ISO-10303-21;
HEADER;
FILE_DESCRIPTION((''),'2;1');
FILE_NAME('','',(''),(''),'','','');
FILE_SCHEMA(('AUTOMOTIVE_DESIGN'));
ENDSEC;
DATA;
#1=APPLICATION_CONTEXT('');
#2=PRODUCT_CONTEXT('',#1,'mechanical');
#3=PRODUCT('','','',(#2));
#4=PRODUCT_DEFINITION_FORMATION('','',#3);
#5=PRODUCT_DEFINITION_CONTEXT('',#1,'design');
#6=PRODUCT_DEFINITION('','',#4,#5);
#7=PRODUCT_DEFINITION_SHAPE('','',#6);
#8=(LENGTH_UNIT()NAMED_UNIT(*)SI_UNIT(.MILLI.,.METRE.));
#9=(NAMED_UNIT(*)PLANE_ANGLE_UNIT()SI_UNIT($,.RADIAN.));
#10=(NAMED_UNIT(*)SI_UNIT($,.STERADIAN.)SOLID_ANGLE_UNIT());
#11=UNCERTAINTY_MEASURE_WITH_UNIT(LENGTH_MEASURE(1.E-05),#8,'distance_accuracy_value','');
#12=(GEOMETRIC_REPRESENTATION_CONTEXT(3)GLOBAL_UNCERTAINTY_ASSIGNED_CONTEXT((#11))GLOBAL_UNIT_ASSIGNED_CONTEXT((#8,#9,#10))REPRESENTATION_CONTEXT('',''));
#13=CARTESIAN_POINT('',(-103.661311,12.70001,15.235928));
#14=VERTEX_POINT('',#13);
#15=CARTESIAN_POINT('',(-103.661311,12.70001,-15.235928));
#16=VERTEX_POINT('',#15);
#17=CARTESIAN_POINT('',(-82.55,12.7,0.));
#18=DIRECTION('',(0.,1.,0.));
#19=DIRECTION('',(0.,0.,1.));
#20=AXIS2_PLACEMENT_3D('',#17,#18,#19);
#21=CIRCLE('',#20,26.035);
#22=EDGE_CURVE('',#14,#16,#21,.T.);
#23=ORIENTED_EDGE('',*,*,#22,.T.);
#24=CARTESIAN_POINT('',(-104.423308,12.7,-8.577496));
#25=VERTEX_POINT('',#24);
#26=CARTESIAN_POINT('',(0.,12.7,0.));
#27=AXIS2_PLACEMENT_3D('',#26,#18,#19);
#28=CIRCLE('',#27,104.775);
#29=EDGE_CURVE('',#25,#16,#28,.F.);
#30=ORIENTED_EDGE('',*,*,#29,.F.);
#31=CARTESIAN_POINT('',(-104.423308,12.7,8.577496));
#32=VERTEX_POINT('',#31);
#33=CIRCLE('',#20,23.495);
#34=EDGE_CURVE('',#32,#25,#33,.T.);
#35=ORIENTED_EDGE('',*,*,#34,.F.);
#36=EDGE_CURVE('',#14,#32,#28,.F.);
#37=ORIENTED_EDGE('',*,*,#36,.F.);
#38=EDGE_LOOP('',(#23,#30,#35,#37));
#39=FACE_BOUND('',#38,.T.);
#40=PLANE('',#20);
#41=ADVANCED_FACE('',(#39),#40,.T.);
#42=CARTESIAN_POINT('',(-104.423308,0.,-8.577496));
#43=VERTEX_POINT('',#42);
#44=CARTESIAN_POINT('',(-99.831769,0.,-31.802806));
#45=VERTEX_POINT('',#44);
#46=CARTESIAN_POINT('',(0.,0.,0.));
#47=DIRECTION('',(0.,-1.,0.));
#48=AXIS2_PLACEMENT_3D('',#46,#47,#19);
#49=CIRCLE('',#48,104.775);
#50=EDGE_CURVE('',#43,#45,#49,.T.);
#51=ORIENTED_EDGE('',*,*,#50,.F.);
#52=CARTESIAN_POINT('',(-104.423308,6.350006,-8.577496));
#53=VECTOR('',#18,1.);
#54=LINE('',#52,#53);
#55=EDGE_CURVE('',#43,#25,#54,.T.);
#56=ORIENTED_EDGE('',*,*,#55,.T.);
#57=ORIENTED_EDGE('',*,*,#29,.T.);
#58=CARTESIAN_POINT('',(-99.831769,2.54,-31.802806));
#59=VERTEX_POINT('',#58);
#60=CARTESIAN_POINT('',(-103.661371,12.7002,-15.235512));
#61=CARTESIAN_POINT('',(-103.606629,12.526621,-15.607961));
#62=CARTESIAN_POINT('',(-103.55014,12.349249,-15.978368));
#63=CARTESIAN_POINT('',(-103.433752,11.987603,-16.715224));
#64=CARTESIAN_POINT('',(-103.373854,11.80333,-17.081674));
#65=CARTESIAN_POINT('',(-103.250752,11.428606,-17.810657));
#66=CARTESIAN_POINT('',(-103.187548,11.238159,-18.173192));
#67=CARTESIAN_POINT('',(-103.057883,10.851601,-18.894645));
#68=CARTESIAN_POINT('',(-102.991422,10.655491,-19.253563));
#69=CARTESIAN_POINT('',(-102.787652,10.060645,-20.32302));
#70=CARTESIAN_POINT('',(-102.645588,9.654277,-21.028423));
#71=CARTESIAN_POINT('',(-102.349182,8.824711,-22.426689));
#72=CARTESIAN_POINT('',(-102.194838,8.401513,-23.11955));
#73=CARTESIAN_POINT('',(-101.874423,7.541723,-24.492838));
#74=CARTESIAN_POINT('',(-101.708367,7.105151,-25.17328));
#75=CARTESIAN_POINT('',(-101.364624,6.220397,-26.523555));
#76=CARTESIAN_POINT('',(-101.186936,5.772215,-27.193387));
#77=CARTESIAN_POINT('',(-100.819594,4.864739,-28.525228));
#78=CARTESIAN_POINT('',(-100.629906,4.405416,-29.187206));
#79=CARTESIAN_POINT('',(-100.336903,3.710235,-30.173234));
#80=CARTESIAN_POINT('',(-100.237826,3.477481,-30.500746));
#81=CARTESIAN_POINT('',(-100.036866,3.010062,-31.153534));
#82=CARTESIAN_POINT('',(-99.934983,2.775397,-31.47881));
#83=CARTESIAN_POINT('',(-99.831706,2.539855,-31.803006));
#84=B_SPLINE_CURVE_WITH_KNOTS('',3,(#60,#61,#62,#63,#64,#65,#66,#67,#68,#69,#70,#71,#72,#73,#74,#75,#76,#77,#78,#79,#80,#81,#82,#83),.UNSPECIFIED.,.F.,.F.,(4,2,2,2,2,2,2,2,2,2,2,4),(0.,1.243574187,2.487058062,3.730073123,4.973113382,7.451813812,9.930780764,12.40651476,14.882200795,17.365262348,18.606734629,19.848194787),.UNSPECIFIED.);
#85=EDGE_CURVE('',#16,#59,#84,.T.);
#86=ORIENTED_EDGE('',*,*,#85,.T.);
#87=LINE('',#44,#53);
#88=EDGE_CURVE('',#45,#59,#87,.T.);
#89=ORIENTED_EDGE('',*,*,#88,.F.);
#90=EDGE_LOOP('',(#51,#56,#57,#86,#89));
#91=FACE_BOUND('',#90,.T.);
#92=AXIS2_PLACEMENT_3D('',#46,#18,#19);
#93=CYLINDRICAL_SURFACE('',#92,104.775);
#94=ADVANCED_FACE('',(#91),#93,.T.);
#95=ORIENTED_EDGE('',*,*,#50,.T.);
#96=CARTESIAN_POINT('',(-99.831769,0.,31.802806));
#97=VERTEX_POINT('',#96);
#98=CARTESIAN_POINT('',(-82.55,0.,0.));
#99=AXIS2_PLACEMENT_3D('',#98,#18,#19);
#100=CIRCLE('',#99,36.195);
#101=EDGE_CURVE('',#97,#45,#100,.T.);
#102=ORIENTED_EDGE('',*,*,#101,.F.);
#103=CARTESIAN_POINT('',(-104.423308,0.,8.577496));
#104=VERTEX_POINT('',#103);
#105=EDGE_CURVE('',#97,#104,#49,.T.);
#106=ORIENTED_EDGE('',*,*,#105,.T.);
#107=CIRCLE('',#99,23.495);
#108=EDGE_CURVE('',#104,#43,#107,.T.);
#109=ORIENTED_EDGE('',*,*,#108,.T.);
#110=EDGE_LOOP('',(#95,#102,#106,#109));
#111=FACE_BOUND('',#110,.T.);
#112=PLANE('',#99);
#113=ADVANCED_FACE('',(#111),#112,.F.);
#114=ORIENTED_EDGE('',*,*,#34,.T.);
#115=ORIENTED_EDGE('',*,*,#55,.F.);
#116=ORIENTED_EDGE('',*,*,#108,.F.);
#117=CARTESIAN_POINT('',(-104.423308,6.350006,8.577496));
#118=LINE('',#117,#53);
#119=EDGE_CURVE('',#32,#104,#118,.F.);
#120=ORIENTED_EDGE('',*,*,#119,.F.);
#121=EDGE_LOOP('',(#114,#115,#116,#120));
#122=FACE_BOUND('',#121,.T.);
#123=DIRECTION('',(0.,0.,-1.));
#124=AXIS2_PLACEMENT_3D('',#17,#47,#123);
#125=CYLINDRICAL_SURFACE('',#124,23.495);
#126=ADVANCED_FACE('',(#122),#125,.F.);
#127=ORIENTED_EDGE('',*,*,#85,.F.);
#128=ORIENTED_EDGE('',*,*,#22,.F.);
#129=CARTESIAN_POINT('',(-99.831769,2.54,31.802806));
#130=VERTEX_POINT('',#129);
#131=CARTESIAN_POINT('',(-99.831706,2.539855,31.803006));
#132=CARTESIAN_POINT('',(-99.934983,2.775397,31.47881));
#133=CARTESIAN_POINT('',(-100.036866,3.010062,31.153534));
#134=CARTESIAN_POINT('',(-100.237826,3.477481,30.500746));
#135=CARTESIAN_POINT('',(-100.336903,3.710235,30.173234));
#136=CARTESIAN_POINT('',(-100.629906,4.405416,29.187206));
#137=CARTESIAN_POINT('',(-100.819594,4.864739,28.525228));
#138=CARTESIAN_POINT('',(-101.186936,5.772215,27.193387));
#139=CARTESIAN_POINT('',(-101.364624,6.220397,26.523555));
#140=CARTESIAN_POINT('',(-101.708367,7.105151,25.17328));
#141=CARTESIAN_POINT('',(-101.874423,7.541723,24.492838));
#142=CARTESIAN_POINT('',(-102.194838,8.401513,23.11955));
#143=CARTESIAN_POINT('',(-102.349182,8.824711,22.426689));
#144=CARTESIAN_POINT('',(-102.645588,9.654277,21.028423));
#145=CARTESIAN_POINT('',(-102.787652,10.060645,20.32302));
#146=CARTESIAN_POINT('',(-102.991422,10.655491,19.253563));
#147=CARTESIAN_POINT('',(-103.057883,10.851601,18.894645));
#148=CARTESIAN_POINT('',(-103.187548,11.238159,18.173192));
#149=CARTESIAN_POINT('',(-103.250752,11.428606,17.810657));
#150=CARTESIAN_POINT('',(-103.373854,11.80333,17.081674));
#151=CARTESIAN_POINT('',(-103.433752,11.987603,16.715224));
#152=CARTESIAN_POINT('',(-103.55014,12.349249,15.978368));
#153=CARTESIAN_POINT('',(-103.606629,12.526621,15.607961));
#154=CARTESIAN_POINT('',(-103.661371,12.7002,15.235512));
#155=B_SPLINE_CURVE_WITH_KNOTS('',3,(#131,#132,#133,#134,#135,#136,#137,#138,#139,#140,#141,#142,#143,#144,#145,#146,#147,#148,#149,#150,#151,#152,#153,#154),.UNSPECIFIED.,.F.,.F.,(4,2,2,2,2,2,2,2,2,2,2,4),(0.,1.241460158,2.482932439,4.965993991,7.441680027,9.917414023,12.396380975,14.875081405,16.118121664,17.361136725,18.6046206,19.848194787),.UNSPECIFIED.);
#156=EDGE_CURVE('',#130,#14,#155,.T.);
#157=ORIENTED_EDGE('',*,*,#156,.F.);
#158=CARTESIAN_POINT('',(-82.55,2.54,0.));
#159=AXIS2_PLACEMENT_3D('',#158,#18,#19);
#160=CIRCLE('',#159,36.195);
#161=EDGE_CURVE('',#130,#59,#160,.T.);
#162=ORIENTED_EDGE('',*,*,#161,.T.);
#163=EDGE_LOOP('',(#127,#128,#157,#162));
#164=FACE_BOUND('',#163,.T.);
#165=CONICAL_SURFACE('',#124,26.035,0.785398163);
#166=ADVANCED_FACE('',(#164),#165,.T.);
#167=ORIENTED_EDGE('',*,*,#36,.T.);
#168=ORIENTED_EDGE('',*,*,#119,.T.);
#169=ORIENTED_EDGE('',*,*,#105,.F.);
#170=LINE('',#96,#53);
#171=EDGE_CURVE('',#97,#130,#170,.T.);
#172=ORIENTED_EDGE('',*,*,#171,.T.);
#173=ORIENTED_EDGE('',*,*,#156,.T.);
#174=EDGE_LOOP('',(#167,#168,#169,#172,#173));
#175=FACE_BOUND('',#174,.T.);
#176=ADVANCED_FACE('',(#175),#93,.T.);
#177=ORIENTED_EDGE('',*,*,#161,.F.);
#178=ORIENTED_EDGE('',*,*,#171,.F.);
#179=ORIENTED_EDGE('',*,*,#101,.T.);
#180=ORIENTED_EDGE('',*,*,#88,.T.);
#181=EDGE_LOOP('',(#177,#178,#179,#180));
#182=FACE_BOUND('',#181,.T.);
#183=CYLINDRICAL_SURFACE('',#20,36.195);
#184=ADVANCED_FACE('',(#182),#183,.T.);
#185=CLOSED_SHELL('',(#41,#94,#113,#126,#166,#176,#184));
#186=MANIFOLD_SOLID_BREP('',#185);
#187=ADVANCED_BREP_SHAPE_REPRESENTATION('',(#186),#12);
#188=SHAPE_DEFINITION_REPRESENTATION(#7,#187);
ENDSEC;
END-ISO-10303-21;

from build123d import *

# Parameters (mm, degrees)
SKETCH1_R               = 26.035
SKETCH1_R_2             = 23.495
BOSS_EXTRUDE1_DEPTH     = 12.7
CUT_EXTRUDE1_DEPTH      = 125.786790367
CUT_EXTRUDE1_DEPTH_BACK = 125.786790367


with BuildPart() as part:
    # Sketch1 → Boss-Extrude1 (new body)
    with BuildSketch(Plane(origin=(0, 0, 0), x_dir=(1, 0, 0), z_dir=(0, 1, 0))):
        with Locations(Location((-82.55, 0, 0), (0, 0, 270))):
            Circle(SKETCH1_R)
        with Locations(Location((-82.55, 0, 0), (0, 0, 270))):
            Circle(SKETCH1_R_2, mode=Mode.SUBTRACT)
    extrude(amount=BOSS_EXTRUDE1_DEPTH)

    # Sketch2 → Revolve1 (revolve)
    with BuildSketch(Plane(origin=(-82.55, 0, 0), x_dir=(0, -1, 0), z_dir=(-1, 0, 0)), mode=Mode.PRIVATE) as revolve1_sk:
        Polygon((0, -26.035), (0, -36.195), (-2.54, -36.195), (-12.7, -26.035), align=None)
    revolve(revolve1_sk.sketch.rotate(Axis((-82.55, 12.7, 0), (0, -1, 0)), 180), axis=Axis((-82.55, 12.7, 0), (0, -1, 0)))

    # Sketch3 → Cut-Extrude1 (cut, two sides: drawn at the far end of the back side and taken through both)
    with BuildSketch(Plane(origin=(0, 12.7, 0), x_dir=(1, 0, 0), z_dir=(0, 1, 0)).offset(-CUT_EXTRUDE1_DEPTH_BACK)):
        with BuildLine():
            ThreePointArc((-99.831769231, 31.802806122), (-104.775, 0), (-99.831769231, -31.802806122))
            ThreePointArc((-99.831769231, -31.802806122), (-118.745, 0), (-99.831769231, 31.802806122))
        make_face()
    extrude(amount=CUT_EXTRUDE1_DEPTH + CUT_EXTRUDE1_DEPTH_BACK, mode=Mode.SUBTRACT)


solid = part.part
